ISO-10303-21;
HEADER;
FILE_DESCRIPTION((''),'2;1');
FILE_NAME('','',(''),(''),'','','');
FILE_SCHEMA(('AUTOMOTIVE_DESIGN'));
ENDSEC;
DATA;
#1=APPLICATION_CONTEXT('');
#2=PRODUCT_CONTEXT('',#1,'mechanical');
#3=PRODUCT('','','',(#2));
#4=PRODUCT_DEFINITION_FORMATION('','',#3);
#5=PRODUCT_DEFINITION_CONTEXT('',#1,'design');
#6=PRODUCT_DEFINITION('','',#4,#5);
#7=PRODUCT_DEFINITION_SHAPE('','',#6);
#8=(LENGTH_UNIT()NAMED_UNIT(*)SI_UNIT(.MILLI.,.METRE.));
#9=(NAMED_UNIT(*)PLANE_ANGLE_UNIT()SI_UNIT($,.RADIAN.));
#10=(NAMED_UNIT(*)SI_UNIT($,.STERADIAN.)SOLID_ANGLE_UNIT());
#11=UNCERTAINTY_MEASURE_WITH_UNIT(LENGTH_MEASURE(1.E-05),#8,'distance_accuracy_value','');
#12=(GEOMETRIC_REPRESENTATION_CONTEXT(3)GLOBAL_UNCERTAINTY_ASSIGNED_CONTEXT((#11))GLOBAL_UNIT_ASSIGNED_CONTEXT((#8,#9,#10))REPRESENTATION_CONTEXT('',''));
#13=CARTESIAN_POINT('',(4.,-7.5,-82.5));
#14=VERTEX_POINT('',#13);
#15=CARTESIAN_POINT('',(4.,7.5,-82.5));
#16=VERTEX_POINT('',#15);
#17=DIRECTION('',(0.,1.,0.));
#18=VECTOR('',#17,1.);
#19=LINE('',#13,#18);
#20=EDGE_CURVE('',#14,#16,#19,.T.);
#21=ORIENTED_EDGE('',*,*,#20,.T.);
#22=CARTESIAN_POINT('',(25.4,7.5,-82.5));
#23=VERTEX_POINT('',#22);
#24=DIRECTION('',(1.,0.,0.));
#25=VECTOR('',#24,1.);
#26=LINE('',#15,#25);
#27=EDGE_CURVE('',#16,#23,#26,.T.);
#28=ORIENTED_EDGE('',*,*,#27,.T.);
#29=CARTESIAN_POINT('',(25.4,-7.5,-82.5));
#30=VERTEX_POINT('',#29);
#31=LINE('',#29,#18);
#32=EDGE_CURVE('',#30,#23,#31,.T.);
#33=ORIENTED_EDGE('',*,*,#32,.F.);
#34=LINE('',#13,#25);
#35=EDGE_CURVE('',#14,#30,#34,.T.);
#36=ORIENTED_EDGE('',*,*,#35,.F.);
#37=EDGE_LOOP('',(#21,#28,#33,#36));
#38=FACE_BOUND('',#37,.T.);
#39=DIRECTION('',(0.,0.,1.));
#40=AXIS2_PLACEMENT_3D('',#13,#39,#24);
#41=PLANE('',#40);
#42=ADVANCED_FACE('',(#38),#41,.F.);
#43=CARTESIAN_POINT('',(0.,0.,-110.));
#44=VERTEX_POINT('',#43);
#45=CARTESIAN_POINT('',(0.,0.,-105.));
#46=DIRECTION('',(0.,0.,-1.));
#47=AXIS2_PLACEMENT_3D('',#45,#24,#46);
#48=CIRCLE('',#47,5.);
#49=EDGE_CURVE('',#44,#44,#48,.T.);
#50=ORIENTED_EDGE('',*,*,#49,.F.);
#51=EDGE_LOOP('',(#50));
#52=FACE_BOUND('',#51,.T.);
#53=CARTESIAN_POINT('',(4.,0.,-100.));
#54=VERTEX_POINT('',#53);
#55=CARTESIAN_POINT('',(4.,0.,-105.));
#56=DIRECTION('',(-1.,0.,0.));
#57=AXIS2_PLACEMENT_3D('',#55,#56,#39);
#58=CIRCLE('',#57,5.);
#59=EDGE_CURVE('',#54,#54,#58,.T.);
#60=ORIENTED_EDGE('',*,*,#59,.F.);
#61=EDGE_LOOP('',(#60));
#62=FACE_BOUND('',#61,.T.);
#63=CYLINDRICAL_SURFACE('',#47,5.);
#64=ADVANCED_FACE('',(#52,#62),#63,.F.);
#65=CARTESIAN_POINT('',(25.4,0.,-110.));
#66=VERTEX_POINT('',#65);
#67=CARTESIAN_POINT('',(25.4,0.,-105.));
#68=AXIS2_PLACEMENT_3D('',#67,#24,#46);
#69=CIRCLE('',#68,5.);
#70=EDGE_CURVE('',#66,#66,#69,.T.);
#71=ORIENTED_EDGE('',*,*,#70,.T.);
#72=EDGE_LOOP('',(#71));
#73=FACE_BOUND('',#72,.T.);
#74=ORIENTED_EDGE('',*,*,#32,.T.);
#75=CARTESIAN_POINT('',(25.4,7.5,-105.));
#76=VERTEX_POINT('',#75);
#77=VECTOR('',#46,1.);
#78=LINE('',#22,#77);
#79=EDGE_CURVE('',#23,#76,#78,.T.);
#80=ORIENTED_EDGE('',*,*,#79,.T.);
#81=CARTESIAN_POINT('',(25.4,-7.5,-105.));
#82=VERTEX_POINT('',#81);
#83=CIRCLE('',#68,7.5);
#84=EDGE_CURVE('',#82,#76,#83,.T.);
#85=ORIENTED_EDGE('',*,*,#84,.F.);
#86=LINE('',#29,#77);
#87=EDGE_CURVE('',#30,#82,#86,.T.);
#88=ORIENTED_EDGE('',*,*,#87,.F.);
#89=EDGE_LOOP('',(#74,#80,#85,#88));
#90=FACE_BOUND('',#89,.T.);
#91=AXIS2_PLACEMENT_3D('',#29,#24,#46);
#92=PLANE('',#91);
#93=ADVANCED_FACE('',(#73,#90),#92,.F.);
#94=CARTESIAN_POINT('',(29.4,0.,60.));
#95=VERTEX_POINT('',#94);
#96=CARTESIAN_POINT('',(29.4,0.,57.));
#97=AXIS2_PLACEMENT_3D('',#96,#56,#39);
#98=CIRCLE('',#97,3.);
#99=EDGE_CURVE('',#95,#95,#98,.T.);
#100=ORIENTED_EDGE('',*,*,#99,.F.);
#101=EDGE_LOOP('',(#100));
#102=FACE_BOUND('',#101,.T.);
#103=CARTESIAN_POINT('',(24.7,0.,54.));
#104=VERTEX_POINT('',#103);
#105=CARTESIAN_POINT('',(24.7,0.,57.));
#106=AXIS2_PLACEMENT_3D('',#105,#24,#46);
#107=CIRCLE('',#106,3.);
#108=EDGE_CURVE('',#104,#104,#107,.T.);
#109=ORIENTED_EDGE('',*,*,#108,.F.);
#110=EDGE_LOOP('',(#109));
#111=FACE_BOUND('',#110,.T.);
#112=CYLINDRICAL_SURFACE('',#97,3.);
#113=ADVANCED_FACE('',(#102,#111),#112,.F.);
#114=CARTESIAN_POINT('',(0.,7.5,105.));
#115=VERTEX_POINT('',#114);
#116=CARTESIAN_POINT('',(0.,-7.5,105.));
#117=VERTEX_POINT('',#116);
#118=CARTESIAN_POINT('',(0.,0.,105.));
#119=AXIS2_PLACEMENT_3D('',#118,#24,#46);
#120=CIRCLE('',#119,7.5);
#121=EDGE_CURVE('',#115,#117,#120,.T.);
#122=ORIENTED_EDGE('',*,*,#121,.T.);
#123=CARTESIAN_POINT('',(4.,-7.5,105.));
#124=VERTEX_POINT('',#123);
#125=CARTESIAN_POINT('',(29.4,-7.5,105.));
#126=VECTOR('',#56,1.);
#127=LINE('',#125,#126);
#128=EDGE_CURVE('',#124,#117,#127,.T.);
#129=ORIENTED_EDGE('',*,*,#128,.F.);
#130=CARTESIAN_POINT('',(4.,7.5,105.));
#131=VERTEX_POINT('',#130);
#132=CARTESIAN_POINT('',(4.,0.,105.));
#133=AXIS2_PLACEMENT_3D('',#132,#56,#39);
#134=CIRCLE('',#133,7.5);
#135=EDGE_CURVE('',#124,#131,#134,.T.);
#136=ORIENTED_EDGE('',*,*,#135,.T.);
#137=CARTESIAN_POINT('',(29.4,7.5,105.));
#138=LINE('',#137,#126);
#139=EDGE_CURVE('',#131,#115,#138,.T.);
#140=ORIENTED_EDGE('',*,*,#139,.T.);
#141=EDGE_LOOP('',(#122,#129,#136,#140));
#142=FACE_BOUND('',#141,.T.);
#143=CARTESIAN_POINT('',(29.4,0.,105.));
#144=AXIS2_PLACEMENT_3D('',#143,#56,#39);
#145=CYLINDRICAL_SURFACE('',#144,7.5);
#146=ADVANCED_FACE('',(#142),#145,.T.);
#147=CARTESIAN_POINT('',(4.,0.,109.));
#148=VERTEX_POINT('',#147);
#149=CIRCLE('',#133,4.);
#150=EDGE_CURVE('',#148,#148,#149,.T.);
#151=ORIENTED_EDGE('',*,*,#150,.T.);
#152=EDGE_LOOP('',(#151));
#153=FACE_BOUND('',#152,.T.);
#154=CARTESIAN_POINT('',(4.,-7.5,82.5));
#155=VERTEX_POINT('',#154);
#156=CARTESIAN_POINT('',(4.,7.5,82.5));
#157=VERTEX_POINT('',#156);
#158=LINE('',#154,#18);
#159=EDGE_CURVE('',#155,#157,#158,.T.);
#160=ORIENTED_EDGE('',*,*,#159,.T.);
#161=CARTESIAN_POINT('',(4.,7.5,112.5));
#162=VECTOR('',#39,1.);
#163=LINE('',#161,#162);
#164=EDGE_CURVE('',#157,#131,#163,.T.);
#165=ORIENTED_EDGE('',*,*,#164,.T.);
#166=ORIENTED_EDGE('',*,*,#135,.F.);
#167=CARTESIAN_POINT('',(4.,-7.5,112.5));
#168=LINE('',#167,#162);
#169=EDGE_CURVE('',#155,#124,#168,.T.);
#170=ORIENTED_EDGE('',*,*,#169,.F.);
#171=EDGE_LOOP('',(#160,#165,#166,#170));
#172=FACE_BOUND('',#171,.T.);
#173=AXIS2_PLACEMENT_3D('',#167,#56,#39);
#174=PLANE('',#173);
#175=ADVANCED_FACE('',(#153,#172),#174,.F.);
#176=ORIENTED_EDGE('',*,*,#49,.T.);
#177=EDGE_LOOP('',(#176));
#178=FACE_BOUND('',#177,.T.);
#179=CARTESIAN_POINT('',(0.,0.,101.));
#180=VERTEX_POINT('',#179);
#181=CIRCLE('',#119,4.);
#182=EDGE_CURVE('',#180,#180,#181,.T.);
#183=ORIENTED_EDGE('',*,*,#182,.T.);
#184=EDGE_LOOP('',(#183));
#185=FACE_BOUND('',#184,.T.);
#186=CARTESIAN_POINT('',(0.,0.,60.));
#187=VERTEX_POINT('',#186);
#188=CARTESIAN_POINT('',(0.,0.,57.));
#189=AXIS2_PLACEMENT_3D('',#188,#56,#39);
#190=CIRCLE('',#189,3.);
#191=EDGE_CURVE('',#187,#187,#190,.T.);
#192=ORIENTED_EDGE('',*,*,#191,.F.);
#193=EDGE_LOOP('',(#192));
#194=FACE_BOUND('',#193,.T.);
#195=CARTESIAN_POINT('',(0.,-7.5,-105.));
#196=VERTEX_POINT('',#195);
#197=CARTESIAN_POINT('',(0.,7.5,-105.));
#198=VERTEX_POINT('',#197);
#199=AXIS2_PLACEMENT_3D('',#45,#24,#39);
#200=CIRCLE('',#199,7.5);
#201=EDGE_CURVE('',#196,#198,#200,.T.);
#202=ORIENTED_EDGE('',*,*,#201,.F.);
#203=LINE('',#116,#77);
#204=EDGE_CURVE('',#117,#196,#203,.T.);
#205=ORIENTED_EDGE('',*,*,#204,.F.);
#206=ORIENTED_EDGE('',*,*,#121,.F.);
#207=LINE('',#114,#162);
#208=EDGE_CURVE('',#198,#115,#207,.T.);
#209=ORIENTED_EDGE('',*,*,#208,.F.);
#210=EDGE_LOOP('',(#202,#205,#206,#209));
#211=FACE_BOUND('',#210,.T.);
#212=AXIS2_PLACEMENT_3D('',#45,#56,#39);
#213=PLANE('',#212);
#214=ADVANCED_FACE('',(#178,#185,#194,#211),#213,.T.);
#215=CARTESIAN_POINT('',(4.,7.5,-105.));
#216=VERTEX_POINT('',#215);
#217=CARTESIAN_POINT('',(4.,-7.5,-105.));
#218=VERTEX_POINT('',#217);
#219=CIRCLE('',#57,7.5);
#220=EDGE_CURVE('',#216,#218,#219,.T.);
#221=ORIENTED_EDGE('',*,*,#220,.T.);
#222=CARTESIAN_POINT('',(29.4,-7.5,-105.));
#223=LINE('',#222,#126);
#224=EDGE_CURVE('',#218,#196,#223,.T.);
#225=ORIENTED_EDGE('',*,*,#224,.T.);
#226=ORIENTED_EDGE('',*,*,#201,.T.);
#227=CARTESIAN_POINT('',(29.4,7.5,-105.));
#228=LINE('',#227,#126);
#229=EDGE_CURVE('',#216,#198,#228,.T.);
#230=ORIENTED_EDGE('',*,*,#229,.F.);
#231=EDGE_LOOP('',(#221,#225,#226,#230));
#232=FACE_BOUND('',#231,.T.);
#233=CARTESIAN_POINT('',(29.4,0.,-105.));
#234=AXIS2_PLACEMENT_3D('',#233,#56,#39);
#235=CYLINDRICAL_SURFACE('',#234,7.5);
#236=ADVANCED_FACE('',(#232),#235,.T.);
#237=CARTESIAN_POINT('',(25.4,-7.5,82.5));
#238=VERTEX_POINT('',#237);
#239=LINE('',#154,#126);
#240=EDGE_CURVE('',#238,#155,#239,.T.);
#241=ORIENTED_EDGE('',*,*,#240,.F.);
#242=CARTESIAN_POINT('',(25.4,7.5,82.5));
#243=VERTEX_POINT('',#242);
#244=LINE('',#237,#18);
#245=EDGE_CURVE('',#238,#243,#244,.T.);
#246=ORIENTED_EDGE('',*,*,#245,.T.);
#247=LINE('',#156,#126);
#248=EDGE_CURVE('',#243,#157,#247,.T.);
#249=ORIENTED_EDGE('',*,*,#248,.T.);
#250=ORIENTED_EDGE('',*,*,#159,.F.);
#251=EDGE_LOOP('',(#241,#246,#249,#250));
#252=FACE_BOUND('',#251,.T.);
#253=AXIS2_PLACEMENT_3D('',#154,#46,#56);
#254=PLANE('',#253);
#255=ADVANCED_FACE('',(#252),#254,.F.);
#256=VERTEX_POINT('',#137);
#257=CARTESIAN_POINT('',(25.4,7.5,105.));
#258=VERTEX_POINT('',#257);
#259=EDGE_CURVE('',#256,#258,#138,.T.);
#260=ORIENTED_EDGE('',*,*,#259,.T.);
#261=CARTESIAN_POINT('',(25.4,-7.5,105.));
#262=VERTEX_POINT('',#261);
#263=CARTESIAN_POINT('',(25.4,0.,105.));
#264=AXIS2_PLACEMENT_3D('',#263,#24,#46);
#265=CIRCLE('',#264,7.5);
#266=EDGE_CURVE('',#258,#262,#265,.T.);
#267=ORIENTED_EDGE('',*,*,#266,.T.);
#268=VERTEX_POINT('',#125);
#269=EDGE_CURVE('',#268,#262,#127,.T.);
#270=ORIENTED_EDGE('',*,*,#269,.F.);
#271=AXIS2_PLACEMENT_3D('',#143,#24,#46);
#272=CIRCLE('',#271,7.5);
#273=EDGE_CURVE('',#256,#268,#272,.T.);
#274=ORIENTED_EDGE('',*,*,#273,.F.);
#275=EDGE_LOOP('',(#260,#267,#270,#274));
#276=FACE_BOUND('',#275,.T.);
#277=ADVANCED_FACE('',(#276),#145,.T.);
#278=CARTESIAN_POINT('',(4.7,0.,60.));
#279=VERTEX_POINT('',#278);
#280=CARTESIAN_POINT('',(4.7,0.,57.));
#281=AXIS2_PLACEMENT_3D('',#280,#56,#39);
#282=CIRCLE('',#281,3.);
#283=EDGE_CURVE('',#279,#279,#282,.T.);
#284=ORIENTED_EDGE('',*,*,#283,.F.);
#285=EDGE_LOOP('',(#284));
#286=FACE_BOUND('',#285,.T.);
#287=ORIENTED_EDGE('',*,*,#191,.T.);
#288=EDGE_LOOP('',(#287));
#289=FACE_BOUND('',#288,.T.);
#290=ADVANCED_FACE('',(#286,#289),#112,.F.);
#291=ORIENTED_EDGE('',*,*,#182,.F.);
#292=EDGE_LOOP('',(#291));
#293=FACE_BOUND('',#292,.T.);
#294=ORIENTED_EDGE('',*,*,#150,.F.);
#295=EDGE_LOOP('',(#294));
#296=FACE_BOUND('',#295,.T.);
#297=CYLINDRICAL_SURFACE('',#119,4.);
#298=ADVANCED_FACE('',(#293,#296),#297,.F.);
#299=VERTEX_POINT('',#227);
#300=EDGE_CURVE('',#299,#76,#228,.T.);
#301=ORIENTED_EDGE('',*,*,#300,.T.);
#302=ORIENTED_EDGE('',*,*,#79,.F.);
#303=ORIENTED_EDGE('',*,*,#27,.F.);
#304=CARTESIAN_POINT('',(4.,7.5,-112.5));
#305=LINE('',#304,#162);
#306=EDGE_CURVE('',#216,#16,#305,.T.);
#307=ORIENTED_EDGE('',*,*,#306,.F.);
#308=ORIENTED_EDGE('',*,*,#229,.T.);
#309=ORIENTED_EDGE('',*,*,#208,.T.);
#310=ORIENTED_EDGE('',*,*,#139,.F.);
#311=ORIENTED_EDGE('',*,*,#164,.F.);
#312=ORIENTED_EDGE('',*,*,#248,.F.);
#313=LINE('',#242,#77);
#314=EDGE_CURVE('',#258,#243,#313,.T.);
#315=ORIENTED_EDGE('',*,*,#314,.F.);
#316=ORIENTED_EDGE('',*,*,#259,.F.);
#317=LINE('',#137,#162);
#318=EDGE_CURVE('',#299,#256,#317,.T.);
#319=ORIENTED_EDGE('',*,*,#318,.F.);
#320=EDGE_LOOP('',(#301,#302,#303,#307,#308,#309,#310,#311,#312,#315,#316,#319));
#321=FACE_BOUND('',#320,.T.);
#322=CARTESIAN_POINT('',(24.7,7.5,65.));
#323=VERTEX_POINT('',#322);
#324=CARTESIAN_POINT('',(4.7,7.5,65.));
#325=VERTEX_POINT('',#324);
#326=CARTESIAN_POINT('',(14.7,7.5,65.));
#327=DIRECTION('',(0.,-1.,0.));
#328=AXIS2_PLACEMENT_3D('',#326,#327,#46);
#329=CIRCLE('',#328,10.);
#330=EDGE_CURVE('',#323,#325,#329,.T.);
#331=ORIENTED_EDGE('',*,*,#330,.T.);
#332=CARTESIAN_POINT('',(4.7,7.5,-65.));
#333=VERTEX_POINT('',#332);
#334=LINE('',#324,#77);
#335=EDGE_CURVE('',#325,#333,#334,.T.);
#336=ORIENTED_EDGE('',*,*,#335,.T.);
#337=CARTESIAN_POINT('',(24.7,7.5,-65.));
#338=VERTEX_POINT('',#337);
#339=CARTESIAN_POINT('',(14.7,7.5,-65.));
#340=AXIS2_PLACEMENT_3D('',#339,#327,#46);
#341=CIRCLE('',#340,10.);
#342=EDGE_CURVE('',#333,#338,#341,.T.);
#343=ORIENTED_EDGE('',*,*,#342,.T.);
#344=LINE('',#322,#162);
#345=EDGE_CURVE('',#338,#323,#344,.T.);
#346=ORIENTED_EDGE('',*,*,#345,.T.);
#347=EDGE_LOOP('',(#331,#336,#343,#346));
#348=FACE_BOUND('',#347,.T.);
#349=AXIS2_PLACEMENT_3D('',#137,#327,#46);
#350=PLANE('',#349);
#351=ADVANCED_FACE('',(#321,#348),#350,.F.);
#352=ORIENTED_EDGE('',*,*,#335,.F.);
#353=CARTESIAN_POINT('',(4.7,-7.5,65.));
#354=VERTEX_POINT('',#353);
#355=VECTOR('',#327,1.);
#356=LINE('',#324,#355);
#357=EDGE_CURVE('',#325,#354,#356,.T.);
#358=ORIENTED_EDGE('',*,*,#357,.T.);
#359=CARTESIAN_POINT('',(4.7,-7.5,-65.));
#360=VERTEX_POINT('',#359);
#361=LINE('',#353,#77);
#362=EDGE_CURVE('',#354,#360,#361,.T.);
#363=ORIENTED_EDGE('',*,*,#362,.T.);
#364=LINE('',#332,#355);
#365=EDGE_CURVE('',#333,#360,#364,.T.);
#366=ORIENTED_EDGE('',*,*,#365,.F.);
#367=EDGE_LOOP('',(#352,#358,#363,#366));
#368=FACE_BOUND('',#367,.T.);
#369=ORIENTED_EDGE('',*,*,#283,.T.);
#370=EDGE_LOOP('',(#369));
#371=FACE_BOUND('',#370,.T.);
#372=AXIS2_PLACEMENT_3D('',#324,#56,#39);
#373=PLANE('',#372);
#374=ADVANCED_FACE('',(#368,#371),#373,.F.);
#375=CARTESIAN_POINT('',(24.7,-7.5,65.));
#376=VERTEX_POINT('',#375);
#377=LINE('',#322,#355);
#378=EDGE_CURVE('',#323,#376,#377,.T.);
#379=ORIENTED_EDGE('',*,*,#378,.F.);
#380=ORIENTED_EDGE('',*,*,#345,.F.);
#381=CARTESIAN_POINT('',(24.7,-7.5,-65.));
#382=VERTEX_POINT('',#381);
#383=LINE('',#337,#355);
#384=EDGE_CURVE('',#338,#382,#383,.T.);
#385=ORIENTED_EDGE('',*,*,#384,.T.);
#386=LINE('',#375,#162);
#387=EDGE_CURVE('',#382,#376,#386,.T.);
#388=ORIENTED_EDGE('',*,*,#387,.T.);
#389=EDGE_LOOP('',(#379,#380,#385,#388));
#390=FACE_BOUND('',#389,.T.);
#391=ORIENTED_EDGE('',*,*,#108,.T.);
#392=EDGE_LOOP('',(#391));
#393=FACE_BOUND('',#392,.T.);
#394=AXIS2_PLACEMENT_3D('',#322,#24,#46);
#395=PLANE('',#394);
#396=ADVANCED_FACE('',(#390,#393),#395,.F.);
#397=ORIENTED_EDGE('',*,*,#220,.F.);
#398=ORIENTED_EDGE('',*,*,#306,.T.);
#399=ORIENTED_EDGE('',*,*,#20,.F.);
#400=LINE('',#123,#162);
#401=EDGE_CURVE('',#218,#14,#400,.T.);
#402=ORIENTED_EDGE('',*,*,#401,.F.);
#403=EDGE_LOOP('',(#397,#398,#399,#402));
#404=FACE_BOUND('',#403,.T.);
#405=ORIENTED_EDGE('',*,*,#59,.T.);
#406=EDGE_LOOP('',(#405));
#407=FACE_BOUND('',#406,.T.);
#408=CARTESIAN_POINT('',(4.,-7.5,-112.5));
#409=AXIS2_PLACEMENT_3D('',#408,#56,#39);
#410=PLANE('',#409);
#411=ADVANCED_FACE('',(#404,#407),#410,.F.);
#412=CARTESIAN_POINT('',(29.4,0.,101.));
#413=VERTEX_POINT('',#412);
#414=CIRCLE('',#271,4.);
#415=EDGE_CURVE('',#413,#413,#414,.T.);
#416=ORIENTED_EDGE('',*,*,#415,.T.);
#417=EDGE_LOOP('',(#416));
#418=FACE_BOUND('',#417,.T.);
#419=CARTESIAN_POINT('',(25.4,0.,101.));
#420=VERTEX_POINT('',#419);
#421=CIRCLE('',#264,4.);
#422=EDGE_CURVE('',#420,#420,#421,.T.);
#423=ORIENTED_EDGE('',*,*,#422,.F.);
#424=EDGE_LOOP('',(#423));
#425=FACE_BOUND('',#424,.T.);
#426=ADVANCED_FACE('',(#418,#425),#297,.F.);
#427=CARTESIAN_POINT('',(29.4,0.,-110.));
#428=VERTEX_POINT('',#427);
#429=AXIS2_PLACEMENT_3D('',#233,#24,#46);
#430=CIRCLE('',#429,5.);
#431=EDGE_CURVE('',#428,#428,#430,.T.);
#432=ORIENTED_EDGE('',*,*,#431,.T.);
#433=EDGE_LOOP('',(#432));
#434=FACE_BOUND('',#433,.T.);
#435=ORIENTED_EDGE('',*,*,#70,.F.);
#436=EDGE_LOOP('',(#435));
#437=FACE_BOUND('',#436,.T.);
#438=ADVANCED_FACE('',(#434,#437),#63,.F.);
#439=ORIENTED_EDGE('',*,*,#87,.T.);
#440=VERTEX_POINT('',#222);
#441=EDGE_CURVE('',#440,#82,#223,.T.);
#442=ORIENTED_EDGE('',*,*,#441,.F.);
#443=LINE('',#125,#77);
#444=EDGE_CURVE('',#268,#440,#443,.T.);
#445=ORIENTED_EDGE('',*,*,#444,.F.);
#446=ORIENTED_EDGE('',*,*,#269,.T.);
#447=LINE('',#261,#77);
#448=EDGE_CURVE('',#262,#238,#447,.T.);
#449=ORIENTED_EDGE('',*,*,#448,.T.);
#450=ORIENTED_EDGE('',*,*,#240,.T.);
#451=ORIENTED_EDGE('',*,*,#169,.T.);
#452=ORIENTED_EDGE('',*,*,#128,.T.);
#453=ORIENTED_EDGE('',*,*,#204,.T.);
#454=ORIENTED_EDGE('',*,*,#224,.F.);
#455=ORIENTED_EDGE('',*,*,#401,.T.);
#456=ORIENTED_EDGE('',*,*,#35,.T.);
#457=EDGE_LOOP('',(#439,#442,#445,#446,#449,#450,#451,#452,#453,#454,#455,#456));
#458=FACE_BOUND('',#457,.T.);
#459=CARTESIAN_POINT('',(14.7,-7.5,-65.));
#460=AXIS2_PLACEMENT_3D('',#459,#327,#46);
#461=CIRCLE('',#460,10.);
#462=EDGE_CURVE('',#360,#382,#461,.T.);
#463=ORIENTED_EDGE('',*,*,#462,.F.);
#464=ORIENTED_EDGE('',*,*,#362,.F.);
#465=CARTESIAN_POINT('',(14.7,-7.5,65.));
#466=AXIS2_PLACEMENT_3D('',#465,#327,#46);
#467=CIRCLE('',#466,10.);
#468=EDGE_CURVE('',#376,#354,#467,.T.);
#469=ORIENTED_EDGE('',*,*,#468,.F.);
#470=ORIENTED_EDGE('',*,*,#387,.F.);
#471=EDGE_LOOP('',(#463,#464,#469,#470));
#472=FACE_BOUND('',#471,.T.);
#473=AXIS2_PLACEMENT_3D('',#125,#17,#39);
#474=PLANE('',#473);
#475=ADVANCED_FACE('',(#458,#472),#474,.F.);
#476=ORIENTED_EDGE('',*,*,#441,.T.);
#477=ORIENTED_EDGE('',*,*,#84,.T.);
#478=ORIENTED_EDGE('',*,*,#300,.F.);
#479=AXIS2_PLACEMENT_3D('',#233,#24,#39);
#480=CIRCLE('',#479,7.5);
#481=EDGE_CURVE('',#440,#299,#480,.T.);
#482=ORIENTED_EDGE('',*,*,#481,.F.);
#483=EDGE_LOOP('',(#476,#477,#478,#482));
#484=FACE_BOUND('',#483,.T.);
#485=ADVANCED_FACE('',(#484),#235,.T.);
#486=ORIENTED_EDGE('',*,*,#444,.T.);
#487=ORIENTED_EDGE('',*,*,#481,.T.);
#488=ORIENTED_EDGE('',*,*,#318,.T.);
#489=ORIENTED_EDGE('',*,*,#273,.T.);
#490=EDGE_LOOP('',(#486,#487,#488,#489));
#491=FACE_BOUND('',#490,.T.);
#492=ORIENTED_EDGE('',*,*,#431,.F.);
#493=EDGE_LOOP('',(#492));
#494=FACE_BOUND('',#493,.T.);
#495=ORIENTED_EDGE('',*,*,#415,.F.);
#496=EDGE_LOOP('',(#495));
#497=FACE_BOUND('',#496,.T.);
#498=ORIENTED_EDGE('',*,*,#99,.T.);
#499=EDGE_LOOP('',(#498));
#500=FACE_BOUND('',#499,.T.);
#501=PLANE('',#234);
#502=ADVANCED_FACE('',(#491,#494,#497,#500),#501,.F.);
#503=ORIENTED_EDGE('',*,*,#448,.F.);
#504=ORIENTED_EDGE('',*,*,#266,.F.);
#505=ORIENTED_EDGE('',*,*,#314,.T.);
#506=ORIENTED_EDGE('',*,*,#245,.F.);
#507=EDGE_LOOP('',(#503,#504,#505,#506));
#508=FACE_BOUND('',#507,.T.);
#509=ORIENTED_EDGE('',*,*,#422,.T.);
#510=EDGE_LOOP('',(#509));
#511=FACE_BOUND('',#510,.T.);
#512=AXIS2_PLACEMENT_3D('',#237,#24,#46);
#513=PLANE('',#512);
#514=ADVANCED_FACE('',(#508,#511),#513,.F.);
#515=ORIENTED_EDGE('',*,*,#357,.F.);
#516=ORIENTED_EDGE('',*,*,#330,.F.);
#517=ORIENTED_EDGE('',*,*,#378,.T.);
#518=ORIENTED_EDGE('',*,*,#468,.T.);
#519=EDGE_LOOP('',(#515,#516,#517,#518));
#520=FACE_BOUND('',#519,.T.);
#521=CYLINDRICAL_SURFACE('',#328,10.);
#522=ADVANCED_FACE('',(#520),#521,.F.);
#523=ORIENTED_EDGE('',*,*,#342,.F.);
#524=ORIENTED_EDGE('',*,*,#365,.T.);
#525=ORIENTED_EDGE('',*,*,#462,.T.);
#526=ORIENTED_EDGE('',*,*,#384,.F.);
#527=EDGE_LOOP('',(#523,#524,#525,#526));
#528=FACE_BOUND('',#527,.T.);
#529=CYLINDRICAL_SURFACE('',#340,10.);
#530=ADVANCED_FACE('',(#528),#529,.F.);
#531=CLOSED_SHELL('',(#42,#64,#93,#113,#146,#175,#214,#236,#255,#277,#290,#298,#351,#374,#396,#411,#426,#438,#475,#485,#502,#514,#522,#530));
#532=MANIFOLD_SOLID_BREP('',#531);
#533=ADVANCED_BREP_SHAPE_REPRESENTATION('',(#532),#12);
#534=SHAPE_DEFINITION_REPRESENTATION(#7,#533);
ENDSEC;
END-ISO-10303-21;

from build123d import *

# Parameters (mm, degrees)
EXTRUDE_1_DEPTH     = 29.4
SKETCH_3_W          = 21.4
SKETCH_3_H          = 30
CUT_EXTRUDE_1_DEPTH = 118.241673478
SKETCH_4_R          = 4
SKETCH_4_R_2        = 5
CUT_EXTRUDE_2_DEPTH = 117.519783728
CUT_EXTRUDE_3_DEPTH = 118.241673478
SKETCH_6_R          = 3
CUT_EXTRUDE_4_DEPTH = 117.519783728


with BuildPart() as part:
    # 草图2 → 凸台-拉伸1 (new body)
    with BuildSketch(Plane(origin=(0, 0, 0), x_dir=(0, 0, -1), z_dir=(1, 0, 0))):
        with BuildLine():
            Line((-105, -7.5), (105, -7.5))
            ThreePointArc((105, -7.5), (112.5, 0), (105, 7.5))
            Line((105, 7.5), (-105, 7.5))
            ThreePointArc((-105, 7.5), (-112.5, 0), (-105, -7.5))
        make_face()
    extrude(amount=EXTRUDE_1_DEPTH)

    # 草图3 → 切除-拉伸1 (cut, through all)
    with BuildSketch(Plane(origin=(0, 7.5, 0), x_dir=(1, 0, 0), z_dir=(0, 1, 0))):
        with Locations((14.7, -97.5)):
            Rectangle(SKETCH_3_W, SKETCH_3_H)
        with Locations((14.7, 97.5)):
            Rectangle(SKETCH_3_W, SKETCH_3_H)
    extrude(amount=-CUT_EXTRUDE_1_DEPTH, mode=Mode.SUBTRACT)

    # 草图4 → 切除-拉伸2 (cut, through all)
    with BuildSketch(Plane(origin=(29.4, 0, 0), x_dir=(0, 0, -1), z_dir=(1, 0, 0))):
        with Locations((-105, 0)):
            Circle(SKETCH_4_R)
        with Locations((105, 0)):
            Circle(SKETCH_4_R_2)
    extrude(amount=-CUT_EXTRUDE_2_DEPTH, mode=Mode.SUBTRACT)

    # 草图5 → 切除-拉伸3 (cut, through all)
    with BuildSketch(Plane.XZ.offset(7.5)):
        with BuildLine():
            Line((24.7, 65), (24.7, -65))
            ThreePointArc((24.7, -65), (14.7, -75), (4.7, -65))
            Line((4.7, -65), (4.7, 65))
            ThreePointArc((4.7, 65), (14.7, 75), (24.7, 65))
        make_face()
    extrude(amount=-CUT_EXTRUDE_3_DEPTH, mode=Mode.SUBTRACT)

    # 草图6 → 切除-拉伸4 (cut, through all)
    with BuildSketch(Plane.ZY):
        with Locations((57, 0)):
            Circle(SKETCH_6_R)
    extrude(amount=-CUT_EXTRUDE_4_DEPTH, mode=Mode.SUBTRACT)


solid = part.part
